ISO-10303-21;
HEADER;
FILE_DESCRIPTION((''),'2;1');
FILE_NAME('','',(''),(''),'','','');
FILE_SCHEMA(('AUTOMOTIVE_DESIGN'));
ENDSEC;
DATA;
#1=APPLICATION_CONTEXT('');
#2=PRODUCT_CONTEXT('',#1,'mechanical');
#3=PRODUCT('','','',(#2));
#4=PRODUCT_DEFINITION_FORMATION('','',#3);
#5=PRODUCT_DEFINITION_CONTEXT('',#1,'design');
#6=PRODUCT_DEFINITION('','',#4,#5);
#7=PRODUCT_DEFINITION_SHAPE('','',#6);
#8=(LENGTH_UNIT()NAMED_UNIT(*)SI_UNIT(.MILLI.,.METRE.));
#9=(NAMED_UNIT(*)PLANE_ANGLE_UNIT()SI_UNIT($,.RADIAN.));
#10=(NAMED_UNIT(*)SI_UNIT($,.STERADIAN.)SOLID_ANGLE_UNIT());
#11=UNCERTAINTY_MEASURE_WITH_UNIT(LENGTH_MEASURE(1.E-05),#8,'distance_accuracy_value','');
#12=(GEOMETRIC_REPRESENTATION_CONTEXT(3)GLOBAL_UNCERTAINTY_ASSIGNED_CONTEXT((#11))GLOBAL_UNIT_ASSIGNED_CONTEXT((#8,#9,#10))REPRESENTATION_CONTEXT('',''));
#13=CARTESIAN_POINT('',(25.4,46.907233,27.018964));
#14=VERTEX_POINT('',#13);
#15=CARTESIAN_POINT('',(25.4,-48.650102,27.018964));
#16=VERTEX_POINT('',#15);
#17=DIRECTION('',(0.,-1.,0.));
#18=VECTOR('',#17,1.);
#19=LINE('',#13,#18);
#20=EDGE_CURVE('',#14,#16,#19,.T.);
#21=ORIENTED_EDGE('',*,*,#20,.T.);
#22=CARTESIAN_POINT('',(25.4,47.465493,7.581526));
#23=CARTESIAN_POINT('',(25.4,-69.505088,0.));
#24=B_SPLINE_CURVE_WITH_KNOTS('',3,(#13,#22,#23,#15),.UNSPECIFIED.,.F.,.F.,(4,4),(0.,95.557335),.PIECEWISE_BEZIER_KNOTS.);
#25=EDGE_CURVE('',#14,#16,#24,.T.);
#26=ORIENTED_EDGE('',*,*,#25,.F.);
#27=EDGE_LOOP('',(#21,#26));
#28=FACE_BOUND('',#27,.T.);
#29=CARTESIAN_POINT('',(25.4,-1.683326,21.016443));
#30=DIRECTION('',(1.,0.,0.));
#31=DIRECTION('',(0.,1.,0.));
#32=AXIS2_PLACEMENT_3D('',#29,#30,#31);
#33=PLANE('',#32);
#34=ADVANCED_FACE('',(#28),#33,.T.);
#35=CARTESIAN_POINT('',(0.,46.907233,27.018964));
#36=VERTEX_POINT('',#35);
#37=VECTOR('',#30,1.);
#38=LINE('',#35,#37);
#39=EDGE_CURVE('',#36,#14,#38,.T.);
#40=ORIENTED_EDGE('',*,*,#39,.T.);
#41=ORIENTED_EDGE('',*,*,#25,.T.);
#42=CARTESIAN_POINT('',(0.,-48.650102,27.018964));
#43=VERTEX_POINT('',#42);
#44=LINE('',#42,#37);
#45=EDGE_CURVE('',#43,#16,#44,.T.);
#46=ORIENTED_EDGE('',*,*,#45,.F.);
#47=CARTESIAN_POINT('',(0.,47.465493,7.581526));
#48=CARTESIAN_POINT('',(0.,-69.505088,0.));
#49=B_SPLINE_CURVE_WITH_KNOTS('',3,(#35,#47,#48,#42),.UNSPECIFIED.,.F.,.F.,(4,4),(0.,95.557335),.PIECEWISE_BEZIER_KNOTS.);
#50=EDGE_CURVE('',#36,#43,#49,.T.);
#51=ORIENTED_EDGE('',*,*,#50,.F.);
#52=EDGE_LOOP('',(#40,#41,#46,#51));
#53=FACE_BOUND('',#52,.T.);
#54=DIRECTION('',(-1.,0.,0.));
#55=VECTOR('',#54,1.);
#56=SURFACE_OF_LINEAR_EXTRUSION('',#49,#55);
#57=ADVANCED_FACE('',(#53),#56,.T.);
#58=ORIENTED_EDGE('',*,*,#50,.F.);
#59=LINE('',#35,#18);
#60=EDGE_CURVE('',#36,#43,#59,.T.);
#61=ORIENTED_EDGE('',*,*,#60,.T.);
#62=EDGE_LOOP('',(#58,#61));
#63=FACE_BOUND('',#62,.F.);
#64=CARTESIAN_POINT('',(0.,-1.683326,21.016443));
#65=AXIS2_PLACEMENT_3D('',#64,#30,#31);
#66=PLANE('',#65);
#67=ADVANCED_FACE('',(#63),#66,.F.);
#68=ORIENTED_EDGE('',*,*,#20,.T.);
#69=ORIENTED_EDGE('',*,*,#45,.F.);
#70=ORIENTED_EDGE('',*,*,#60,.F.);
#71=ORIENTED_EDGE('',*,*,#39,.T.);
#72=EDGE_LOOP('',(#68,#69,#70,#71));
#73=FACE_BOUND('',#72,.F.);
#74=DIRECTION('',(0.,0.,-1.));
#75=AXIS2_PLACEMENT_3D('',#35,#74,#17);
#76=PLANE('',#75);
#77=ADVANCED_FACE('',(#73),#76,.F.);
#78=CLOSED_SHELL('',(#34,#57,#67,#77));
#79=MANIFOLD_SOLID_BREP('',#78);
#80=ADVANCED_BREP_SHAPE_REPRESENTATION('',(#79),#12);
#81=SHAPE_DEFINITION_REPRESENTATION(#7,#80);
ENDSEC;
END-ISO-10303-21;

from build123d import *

# Parameters (mm, degrees)
F1_DEPTH = 25.4


with BuildPart() as f1:
    # F0 (on Right) → F1 (new body)
    with BuildSketch(Plane.YZ):
        with BuildLine():
            Line((46.907233, 27.018964), (-48.650102, 27.018964))
            add(Edge.make_bspline(
                [(46.907233, 27.018964), (47.465493, 7.581526), (-69.505088, 0), (-48.650102, 27.018964)],
                knots=[0, 0, 0, 0, 95.557335, 95.557335, 95.557335, 95.557335], degree=3))
        make_face()
    extrude(amount=F1_DEPTH)


solid = f1.part
